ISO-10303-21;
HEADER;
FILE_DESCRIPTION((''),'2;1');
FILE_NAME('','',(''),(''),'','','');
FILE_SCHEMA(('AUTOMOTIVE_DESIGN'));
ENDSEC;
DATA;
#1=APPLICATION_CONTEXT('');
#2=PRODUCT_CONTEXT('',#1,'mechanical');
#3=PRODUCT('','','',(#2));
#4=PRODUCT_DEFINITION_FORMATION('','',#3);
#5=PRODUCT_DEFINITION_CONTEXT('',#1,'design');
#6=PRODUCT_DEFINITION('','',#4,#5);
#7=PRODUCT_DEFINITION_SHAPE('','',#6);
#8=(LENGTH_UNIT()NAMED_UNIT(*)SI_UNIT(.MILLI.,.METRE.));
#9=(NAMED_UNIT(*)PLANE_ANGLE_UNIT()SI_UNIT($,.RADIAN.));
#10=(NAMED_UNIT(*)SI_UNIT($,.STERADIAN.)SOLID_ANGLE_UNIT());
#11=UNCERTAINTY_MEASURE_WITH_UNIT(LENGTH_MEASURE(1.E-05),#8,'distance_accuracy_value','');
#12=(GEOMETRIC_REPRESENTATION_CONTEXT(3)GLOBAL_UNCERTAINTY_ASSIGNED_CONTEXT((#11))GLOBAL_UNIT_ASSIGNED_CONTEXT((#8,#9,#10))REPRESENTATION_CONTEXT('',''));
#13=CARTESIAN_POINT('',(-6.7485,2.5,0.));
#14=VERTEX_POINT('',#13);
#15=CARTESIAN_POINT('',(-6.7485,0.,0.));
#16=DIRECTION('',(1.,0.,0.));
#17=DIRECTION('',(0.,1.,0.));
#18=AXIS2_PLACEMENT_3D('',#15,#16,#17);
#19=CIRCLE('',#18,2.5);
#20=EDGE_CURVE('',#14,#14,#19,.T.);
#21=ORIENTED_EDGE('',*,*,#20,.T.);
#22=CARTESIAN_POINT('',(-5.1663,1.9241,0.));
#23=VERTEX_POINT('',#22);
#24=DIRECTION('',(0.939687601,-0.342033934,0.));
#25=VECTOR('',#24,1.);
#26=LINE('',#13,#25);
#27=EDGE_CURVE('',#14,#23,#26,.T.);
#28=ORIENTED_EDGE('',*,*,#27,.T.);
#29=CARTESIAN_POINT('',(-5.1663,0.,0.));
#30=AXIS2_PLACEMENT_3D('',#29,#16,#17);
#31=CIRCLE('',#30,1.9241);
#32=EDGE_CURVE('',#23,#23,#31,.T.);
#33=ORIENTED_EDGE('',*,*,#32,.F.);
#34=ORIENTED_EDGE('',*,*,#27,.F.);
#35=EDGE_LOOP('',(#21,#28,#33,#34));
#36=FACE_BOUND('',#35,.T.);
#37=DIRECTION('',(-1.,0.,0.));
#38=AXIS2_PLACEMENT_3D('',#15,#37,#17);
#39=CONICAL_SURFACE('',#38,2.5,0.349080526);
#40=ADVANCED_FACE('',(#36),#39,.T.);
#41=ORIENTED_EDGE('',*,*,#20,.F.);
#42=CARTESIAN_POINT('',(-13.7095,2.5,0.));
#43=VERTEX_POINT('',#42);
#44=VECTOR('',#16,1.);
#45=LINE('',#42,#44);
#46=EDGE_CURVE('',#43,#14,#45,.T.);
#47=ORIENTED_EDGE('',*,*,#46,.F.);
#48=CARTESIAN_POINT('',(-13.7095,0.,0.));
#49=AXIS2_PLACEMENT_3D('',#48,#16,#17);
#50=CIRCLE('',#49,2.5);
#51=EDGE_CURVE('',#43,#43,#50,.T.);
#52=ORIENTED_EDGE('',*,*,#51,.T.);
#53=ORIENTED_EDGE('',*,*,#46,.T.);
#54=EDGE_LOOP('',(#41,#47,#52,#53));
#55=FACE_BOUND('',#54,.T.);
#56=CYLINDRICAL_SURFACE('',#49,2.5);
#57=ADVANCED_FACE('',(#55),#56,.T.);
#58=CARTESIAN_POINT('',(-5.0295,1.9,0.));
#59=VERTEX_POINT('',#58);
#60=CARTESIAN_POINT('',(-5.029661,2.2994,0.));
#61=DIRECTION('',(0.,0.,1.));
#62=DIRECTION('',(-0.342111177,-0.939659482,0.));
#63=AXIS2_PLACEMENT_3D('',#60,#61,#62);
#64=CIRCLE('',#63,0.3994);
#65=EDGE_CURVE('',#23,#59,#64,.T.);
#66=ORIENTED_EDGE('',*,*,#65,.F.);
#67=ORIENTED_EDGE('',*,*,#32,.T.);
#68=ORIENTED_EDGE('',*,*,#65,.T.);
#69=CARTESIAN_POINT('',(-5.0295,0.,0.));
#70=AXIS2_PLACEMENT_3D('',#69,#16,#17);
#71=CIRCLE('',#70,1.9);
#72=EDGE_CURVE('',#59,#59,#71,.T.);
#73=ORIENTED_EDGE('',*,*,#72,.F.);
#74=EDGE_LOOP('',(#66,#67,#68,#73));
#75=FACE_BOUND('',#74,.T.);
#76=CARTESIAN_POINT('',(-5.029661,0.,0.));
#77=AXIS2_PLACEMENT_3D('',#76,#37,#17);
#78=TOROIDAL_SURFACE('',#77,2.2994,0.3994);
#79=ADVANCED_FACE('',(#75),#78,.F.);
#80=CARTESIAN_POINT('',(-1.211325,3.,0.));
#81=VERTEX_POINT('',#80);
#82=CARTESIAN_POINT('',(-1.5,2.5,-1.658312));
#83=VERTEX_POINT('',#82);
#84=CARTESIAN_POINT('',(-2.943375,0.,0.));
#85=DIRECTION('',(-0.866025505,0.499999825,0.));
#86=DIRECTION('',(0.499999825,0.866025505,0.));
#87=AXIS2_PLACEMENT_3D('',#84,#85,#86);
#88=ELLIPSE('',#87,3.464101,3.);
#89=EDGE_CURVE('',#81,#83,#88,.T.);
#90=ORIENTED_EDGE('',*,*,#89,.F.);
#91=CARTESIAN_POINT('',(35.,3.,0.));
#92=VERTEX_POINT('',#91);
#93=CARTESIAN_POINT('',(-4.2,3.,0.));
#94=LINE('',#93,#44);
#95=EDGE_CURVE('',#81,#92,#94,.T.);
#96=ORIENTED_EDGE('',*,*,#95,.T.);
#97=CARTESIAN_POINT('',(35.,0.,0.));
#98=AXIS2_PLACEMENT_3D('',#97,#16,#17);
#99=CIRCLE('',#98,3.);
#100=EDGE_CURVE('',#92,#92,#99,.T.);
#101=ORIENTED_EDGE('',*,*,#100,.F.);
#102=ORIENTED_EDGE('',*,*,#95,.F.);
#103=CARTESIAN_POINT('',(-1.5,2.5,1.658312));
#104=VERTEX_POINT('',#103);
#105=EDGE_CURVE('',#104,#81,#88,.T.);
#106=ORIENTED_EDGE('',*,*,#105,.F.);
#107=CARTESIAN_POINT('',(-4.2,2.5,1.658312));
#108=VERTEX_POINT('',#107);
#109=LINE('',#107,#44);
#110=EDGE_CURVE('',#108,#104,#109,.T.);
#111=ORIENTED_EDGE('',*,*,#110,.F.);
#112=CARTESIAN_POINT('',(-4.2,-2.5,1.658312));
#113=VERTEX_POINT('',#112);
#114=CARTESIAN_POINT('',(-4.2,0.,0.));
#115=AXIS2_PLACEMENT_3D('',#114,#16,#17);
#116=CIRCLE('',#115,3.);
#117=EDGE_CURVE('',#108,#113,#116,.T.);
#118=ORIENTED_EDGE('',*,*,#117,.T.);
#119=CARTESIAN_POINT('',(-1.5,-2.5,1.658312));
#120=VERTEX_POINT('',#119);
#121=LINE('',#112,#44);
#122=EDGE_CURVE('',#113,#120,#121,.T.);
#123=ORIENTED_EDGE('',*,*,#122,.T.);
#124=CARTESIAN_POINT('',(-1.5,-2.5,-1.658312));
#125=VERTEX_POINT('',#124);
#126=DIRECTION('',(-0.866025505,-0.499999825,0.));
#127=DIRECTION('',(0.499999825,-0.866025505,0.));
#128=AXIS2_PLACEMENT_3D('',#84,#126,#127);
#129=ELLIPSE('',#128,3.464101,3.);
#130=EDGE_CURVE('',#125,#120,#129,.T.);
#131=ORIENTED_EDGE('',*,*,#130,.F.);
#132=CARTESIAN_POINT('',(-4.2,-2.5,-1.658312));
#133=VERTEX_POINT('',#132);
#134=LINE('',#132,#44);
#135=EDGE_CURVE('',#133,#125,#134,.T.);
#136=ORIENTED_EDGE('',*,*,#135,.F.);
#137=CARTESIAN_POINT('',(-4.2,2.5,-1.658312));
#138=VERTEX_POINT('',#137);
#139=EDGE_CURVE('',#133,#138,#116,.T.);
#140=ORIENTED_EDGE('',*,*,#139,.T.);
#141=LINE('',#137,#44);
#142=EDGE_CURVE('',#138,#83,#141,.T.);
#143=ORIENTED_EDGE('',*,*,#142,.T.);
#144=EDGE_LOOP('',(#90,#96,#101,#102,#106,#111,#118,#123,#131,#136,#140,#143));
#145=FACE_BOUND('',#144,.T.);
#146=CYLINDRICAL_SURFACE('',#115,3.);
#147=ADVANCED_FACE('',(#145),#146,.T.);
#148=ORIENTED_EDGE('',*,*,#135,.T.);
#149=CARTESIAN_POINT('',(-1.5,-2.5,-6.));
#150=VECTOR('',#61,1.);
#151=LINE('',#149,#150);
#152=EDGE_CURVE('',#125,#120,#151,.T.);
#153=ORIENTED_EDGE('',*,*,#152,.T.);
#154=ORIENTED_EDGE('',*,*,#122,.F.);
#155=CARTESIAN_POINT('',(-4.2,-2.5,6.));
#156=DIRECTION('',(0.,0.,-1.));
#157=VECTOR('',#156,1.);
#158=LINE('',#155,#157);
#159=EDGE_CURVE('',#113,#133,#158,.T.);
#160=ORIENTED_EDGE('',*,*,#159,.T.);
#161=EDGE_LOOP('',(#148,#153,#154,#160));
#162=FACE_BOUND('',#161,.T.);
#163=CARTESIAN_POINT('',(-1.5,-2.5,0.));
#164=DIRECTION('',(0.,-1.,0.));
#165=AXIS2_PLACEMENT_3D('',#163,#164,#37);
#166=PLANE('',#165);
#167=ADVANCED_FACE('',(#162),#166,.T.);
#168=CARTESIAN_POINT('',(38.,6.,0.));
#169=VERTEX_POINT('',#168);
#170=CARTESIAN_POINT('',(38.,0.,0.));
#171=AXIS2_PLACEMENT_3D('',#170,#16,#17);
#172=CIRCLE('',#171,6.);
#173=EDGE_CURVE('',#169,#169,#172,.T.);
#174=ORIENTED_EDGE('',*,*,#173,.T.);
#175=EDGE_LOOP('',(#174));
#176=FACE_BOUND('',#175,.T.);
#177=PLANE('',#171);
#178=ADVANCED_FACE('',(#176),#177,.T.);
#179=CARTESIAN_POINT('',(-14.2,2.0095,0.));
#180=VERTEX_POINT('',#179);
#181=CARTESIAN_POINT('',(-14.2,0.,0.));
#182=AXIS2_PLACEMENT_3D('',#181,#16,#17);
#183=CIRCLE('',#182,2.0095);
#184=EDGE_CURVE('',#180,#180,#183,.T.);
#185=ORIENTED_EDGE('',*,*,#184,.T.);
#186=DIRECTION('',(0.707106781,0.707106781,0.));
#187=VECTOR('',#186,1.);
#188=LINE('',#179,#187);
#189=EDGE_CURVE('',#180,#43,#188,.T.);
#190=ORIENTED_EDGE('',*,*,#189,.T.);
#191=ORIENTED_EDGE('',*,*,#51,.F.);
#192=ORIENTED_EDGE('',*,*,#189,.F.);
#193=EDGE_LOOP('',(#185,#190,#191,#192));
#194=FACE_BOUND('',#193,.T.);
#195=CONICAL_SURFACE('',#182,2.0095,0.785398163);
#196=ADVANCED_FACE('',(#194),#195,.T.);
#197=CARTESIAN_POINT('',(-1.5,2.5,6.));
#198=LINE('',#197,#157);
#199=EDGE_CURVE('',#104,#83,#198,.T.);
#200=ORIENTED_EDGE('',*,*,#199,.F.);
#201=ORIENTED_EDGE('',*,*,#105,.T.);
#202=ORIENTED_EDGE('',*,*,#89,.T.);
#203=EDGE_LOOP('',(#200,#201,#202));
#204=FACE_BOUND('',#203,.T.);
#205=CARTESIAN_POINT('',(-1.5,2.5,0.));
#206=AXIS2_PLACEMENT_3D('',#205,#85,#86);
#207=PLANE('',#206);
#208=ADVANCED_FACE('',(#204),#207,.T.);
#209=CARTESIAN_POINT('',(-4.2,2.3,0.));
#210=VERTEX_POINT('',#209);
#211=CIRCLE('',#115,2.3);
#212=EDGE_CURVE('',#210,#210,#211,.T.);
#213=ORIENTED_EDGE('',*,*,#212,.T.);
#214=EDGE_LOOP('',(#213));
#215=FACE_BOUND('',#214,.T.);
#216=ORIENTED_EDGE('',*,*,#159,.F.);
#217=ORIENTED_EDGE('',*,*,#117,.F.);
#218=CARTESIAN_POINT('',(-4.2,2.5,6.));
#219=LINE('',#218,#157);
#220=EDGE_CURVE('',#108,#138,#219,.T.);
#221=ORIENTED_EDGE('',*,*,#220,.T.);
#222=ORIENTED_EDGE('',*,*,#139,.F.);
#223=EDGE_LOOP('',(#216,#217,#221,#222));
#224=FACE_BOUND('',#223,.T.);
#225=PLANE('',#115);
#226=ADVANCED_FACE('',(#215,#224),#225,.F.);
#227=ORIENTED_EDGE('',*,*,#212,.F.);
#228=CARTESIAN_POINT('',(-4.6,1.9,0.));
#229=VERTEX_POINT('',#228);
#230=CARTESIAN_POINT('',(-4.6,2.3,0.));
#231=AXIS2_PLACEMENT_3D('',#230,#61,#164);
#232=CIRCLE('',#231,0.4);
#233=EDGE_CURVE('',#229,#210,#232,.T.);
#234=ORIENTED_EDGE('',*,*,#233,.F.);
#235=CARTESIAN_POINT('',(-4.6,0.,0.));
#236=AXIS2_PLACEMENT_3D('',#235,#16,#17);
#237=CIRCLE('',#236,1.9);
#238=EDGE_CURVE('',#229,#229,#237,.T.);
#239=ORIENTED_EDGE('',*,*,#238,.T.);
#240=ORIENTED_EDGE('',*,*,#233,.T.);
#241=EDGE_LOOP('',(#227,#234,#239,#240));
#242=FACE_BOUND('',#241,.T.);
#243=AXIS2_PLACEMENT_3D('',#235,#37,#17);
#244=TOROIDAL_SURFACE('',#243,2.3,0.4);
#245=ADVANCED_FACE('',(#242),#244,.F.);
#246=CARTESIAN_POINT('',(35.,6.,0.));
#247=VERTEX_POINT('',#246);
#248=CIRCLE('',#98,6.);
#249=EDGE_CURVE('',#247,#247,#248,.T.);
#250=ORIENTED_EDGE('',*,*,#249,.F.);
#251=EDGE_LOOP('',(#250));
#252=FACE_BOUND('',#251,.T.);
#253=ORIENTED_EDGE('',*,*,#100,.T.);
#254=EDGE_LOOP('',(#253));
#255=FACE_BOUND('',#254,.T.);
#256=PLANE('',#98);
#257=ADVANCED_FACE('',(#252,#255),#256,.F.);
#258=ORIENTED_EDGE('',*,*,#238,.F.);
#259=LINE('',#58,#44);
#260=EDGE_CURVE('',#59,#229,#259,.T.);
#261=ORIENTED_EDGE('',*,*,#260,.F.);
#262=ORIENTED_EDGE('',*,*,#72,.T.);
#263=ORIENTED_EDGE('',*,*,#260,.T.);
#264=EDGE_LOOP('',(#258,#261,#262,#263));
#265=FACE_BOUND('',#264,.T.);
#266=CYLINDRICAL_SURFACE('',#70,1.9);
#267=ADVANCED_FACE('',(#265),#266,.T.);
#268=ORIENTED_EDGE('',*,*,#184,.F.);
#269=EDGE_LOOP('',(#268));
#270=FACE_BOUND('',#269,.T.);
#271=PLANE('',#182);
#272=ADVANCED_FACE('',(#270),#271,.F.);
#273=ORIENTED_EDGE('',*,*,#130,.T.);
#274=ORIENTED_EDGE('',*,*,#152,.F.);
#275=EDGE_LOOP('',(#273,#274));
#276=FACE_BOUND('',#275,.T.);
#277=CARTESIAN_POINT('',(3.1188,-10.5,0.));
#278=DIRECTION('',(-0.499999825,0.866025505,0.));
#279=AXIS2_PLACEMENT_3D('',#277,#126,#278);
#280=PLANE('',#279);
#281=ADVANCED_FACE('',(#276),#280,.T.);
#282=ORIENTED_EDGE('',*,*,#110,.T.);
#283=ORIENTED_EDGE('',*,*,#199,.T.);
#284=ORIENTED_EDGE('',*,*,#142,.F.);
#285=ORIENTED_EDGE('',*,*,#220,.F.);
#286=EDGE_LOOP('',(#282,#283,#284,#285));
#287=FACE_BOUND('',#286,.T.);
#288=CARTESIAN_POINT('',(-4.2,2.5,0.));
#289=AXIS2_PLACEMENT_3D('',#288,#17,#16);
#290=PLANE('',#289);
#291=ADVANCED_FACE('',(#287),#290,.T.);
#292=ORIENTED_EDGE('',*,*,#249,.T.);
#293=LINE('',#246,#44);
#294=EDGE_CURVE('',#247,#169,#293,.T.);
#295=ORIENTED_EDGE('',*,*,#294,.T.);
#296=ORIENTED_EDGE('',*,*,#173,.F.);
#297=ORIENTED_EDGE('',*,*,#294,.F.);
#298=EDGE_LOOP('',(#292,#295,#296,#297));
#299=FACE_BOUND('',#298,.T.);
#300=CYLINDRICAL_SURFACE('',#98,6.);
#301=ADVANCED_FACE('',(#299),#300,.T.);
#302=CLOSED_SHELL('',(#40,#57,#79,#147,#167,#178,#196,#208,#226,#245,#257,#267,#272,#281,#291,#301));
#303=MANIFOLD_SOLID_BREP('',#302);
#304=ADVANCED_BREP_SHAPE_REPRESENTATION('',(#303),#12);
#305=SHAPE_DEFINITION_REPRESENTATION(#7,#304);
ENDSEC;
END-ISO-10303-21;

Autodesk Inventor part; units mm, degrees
sketch "Sketch_1" plane through (0, 0, 0) normal (0, 0, 1) x (1, 0, 0)
  line L0 (38, 0) -> (-4.2, 0)
  line L1 (-4.2, 0) -> (-4.2, 3)
  line L2 (-4.2, 3) -> (38, 3)
  line L3 (38, 3) -> (38, 0)
  line L4 (38, 0) -> (-4.2, 0)
revolve "Revolution1" add sketch "Sketch_1" angle 360 about axis through (38, 0, 0) along (1, 0, 0)
sketch "Sketch_11" plane through (0, 0, 0) normal (0, 0, 1) x (1, 0, 0)
  line L0 (38, 0) -> (35, 0)
  line L1 (35, 0) -> (35, 6)
  line L2 (35, 6) -> (38, 6)
  line L3 (38, 6) -> (38, 0)
  line L4 (38, 0) -> (35, 0)
revolve "Revolution2" add sketch "Sketch_11" angle 360 about axis through (38, 0, 0) along (1, 0, 0)
sketch "Sketch_19" plane through (0, 0, 0) normal (0, 0, 1) x (1, 0, 0)
  line L0 (-3.2, 0) -> (-14.2, 0)
  line L1 (-14.2, 0) -> (-14.2, 2.0095)
  line L2 (-14.2, 2.0095) -> (-13.7095, 2.5)
  line L3 (-13.7095, 2.5) -> (-6.7485, 2.5)
  line L4 (-6.7485, 2.5) -> (-5.1663, 1.9241)
  arc A0 (-5.1663, 1.9241) -> (-5.0295, 1.9) centre (-5.0295, 2.3) ccw
  line L5 (-5.0295, 1.9) -> (-4.6, 1.9)
  arc A1 (-4.6, 1.9) -> (-4.2, 2.3) centre (-4.6, 2.3) ccw
  line L6 (-4.2, 2.3) -> (-4.2, 2.5)
  line L7 (-4.2, 2.5) -> (-3.2, 2.5)
  line L8 (-3.2, 2.5) -> (-3.2, 0)
  line L9 (-3.2, 0) -> (-14.2, 0)
revolve "Revolution3" add sketch "Sketch_19" angle 360 about axis through (-3.2, 0, 0) along (1, 0, 0)
thread "Thread1" size "M5x0.8" class "6g" standard "ISO Metric profile" full length
sketch "Sketch_20" plane through (0, 0, 0) normal (0, 0, 1) x (1, 0, 0)
  line L0 (-23.4, -10.5) -> (3.1188, -10.5)
  line L1 (3.1188, -10.5) -> (-1.5, -2.5)
  line L2 (-1.5, -2.5) -> (-4.2, -2.5)
  line L3 (-4.2, -2.5) -> (-4.2, -7.5)
  line L4 (-4.2, -7.5) -> (-19.2, -7.5)
  line L5 (-19.2, -7.5) -> (-19.2, 7.5)
  line L6 (-19.2, 7.5) -> (-4.2, 7.5)
  line L7 (-4.2, 7.5) -> (-4.2, 2.5)
  line L8 (-4.2, 2.5) -> (-1.5, 2.5)
  line L9 (-1.5, 2.5) -> (3.1188, 10.5)
  line L10 (3.1188, 10.5) -> (-23.4, 10.5)
  line L11 (-23.4, 10.5) -> (-23.4, -10.5)
extrude "Extrusion1" cut sketch "Sketch_20" along normal mid plane 12
ref_plane "FDT_PIRODACC_M1_XY" through (-9.9, 0, 0) normal (-1, 0, 0) x (0, 1, 0)
ref_plane "FDT_PIRODACC_M1_YZ" through (-9.9, 0, 0) normal (0, 1, 0) x (0, 0, -1)
ref_plane "FDT_PIRODACC_M1_ZX" through (-9.9, 0, 0) normal (0, 0, -1) x (-1, 0, 0)
ref_plane "NUT1_XY" through (-8.55, 0, 0) normal (1, 0, 0) x (0, 0, -1)
ref_plane "NUT1_YZ" through (-8.55, 0, 0) normal (0, 0, -1) x (0, 1, 0)
ref_plane "NUT1_ZX" through (-8.55, 0, 0) normal (0, 1, 0) x (1, 0, 0)
ref_plane "PISTON_XY" through (38, 0, 0) normal (1, 0, 0) x (0, 0, -1)
ref_plane "PISTON_YZ" through (38, 0, 0) normal (0, 0, -1) x (0, 1, 0)
ref_plane "PISTON_ZX" through (38, 0, 0) normal (0, 1, 0) x (1, 0, 0)
properties part number "536203 ADN-15-P-A_(KS)"
